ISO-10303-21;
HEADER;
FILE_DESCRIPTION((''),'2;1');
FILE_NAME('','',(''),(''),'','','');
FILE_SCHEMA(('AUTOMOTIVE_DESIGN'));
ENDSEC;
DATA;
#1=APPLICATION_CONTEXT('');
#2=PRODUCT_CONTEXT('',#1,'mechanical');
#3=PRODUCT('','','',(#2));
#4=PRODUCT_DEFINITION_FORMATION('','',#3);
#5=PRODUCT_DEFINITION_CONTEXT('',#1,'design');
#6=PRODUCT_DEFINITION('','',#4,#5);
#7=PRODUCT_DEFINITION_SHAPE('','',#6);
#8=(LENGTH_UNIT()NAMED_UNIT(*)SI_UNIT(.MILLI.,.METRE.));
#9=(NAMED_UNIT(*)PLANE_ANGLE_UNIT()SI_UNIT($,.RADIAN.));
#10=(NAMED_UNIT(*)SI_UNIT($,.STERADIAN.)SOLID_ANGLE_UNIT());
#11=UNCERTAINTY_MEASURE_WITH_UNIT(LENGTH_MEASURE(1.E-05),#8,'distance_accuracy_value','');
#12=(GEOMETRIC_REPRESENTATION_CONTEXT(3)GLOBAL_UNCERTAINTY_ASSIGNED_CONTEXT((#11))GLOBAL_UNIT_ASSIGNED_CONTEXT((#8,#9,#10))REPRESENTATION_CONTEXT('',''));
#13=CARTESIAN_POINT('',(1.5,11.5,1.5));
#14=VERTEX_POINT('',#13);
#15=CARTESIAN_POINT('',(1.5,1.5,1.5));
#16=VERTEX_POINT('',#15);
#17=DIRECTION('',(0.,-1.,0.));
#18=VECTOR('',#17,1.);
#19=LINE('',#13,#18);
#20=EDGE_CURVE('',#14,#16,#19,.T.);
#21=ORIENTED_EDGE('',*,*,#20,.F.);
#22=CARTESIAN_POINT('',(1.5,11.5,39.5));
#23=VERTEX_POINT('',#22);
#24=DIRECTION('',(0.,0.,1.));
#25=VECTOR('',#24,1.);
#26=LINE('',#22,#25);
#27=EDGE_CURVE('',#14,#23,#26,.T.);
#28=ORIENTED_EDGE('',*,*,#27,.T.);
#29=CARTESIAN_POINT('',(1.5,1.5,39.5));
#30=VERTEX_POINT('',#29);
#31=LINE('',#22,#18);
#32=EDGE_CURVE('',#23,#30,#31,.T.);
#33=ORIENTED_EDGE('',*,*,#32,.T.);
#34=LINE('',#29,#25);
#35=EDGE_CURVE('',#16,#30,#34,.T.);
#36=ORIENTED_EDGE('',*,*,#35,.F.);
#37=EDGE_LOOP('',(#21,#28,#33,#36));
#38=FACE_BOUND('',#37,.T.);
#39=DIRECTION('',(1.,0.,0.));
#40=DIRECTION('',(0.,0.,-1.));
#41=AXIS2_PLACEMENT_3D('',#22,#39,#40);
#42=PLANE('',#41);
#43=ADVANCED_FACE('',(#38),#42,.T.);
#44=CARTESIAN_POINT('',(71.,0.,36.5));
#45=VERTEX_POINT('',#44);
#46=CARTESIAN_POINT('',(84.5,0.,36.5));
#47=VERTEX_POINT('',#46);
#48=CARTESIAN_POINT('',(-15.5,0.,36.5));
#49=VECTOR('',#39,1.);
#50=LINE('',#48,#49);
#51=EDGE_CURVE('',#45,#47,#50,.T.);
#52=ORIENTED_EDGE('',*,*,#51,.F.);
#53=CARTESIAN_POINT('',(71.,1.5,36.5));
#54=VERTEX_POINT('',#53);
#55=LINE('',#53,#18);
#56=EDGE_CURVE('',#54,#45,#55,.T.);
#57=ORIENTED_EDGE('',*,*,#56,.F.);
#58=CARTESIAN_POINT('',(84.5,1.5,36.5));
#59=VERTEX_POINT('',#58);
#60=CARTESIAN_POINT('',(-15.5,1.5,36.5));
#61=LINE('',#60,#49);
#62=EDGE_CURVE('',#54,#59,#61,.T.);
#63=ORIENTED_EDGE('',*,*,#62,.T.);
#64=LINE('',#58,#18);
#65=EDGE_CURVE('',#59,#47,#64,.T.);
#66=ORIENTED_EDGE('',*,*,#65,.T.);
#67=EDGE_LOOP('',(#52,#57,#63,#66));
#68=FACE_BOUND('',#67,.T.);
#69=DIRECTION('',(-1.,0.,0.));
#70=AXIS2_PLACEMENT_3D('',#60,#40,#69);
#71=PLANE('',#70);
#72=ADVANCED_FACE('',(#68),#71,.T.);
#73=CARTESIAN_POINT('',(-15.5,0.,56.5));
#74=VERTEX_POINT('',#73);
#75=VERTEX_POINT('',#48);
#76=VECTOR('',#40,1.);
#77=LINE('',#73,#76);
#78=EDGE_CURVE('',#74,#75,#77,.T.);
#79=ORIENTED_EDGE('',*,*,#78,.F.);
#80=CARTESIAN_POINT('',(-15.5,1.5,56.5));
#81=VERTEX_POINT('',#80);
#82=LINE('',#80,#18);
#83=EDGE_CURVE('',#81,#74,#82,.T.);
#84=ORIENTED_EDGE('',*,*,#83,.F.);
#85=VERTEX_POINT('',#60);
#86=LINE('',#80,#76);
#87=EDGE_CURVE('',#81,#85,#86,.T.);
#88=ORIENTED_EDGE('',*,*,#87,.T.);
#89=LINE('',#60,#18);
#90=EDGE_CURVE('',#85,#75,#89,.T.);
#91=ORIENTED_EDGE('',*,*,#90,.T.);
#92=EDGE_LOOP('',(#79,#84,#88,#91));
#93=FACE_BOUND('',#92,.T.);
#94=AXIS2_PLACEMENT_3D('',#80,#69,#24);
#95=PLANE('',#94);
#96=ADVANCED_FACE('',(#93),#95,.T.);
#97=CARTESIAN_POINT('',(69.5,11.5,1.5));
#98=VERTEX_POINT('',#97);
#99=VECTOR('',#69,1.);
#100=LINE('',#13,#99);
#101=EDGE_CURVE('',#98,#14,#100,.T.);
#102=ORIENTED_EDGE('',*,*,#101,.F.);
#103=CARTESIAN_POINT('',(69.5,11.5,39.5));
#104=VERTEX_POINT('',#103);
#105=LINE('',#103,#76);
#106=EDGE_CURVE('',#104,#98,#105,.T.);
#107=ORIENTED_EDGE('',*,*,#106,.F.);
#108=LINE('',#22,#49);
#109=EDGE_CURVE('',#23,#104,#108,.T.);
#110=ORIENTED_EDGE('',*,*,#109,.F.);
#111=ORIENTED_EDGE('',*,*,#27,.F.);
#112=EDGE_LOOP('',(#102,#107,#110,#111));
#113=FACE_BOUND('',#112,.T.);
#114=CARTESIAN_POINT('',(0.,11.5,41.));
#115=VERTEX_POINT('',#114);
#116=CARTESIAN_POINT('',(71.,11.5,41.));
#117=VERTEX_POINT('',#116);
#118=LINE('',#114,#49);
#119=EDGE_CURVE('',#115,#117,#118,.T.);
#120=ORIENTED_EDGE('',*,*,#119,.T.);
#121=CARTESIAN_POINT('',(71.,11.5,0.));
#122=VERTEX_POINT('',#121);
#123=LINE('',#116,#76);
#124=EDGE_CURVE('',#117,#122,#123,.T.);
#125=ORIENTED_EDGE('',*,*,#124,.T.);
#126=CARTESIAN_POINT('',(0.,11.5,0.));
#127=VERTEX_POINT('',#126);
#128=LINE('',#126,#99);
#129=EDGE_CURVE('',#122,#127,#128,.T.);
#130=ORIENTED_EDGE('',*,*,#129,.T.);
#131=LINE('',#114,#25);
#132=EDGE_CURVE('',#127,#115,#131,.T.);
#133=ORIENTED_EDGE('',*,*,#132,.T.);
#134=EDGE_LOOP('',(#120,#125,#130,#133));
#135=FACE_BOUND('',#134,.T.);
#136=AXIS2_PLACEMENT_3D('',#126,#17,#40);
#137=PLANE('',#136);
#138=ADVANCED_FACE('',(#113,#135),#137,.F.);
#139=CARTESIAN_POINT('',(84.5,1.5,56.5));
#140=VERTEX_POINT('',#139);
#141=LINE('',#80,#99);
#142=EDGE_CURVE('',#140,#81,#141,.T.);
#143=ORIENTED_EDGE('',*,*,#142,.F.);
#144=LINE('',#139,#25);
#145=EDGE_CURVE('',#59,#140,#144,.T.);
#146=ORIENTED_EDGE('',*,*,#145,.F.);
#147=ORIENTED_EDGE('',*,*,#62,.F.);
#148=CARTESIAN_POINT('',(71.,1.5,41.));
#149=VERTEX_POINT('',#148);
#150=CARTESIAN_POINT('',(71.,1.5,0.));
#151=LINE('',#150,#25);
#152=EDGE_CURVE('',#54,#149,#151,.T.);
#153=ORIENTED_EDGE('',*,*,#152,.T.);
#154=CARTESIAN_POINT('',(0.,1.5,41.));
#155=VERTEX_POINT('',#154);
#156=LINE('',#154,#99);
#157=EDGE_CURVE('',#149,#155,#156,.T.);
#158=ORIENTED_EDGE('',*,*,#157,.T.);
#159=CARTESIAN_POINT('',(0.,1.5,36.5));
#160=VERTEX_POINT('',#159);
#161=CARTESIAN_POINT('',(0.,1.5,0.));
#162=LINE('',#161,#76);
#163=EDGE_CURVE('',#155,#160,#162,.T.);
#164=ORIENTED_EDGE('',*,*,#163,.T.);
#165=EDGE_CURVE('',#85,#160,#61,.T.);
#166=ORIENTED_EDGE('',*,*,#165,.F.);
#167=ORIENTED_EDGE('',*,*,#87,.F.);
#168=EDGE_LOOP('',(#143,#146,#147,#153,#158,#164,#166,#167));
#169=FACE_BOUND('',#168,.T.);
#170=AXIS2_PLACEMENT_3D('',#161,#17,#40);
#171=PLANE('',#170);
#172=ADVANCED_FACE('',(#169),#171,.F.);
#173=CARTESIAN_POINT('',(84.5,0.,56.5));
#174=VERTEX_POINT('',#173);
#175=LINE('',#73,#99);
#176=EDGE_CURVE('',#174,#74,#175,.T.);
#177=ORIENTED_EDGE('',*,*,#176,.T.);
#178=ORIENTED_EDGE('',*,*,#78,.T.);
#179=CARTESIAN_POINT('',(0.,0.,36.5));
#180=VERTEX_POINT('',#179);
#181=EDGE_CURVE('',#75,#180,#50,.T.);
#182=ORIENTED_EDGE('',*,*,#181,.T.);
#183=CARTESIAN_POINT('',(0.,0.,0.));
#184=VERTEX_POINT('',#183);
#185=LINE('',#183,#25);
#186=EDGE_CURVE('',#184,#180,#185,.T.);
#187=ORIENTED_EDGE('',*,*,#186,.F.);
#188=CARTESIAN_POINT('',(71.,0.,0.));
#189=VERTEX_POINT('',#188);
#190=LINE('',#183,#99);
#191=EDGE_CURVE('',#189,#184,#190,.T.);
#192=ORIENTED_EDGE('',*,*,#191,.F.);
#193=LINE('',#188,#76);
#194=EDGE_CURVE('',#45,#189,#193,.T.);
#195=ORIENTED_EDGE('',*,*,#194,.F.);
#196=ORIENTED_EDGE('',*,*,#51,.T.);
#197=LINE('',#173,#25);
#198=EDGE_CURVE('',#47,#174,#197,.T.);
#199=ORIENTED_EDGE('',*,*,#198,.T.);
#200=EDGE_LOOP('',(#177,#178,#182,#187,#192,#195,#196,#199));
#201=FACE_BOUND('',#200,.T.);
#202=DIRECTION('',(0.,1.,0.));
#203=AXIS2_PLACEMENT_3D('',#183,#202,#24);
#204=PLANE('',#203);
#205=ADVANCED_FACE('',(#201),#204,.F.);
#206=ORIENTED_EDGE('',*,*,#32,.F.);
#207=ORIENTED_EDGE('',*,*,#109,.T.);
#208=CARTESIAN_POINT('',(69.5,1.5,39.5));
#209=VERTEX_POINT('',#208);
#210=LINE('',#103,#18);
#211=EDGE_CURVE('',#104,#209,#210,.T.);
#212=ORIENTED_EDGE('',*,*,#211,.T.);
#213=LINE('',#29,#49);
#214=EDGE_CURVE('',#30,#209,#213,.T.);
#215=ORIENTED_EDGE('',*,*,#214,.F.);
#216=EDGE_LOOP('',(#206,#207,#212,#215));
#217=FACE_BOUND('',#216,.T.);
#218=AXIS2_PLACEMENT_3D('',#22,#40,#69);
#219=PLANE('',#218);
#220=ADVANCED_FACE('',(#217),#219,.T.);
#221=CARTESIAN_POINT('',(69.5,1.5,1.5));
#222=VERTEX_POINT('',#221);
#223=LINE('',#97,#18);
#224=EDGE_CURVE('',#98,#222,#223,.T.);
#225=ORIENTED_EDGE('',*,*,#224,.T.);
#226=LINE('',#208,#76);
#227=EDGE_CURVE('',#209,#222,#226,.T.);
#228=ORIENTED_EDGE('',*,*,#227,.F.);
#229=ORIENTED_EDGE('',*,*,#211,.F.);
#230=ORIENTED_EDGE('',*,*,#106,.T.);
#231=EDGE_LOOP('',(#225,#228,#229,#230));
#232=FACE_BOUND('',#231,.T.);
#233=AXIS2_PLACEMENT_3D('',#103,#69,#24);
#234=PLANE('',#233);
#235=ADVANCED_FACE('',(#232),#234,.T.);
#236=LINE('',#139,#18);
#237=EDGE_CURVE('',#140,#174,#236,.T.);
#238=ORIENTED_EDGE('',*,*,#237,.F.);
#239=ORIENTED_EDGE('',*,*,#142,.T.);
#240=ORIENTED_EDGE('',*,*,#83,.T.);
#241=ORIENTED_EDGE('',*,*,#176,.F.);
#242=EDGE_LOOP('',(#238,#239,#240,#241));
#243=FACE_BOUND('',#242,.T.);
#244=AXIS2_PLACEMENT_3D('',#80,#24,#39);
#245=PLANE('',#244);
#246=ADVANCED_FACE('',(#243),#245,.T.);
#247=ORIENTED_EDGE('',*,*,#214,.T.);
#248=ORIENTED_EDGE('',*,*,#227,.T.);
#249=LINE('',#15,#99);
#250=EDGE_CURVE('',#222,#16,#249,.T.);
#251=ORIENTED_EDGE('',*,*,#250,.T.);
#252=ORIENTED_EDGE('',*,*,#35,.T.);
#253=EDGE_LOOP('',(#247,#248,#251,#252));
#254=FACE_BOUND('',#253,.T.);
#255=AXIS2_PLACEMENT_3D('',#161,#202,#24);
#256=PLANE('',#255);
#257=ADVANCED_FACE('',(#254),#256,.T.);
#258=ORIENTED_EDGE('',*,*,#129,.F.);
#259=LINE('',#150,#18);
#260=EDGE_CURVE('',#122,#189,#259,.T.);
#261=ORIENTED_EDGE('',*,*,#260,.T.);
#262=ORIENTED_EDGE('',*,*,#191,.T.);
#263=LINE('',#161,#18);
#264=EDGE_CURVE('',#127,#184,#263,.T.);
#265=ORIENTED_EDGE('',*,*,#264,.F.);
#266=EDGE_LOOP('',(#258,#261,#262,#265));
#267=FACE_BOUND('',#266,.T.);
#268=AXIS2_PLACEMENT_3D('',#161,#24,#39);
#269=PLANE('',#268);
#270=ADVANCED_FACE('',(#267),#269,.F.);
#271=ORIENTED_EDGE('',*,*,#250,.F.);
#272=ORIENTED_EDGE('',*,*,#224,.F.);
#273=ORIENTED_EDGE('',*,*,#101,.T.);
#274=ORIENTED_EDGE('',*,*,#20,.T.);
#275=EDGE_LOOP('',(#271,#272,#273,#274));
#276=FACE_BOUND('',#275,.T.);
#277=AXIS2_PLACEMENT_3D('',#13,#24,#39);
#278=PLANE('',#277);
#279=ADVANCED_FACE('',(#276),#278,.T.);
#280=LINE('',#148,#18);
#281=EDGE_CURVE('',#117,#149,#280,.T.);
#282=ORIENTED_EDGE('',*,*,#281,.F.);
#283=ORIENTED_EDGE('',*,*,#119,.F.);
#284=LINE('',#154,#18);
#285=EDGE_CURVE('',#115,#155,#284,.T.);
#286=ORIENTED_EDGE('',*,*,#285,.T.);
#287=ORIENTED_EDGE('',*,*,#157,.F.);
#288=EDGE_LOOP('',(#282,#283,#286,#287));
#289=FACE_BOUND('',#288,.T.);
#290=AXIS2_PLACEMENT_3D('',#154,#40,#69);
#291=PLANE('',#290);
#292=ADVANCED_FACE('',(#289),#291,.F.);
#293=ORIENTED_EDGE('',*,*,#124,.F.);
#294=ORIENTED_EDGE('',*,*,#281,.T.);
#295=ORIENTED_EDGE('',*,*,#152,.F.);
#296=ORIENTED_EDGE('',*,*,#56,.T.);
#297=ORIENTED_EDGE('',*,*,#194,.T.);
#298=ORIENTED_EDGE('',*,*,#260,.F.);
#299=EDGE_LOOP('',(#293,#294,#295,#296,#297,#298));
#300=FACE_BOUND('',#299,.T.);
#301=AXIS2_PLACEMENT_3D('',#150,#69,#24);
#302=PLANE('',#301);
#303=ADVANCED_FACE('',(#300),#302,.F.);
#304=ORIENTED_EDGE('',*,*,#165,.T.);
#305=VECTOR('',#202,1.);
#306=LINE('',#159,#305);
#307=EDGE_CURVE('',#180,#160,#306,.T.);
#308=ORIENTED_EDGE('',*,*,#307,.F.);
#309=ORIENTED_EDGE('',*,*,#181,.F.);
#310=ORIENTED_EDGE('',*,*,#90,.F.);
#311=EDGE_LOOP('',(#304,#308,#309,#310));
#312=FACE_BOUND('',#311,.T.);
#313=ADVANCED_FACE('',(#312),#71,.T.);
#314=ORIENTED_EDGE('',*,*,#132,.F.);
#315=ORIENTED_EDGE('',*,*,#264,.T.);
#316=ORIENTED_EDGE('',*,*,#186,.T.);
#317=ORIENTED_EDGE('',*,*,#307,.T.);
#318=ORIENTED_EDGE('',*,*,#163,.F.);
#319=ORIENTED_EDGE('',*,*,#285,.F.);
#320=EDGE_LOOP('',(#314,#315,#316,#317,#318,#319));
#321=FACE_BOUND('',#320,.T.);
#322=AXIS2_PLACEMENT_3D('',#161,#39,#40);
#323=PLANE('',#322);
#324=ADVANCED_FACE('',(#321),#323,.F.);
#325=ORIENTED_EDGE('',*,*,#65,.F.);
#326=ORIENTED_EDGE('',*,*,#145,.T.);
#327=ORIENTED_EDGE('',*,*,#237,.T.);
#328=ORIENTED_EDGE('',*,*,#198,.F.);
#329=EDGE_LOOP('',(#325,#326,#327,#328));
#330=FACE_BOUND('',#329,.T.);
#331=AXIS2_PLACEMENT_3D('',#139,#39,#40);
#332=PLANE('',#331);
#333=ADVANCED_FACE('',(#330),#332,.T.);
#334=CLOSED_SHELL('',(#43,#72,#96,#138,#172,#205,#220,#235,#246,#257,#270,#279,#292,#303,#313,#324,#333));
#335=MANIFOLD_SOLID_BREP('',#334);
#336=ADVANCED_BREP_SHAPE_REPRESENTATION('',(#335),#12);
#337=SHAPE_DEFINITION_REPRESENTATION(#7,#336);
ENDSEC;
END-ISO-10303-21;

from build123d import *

# Parameters (mm, degrees)
SKETCH_1_W      = 71
SKETCH_1_H      = 41
EXTRUDE_1_DEPTH = 1.5
SKETCH_2_W      = 71
SKETCH_2_H      = 41
SKETCH_2_W_2    = 68
SKETCH_2_H_2    = 38
EXTRUDE_2_DEPTH = 10
SKETCH_3_W      = 100
SKETCH_3_H      = 20
EXTRUDE_3_DEPTH = 1.5


with BuildPart() as part:
    # 草图1 → 凸台-拉伸1 (new body)
    with BuildSketch(Plane(origin=(0, 0, 0), x_dir=(1, 0, 0), z_dir=(0, 1, 0))):
        with Locations((35.5, -20.5)):
            Rectangle(SKETCH_1_W, SKETCH_1_H)
    extrude(amount=EXTRUDE_1_DEPTH)

    # 草图2 → 凸台-拉伸2 (add)
    with BuildSketch(Plane(origin=(0, 1.5, 0), x_dir=(1, 0, 0), z_dir=(0, 1, 0))):
        with Locations((35.5, -20.5)):
            Rectangle(SKETCH_2_W, SKETCH_2_H)
        with Locations((35.5, -20.5)):
            Rectangle(SKETCH_2_W_2, SKETCH_2_H_2, mode=Mode.SUBTRACT)
    extrude(amount=EXTRUDE_2_DEPTH)

    # 草图3 → 凸台-拉伸3 (add)
    with BuildSketch(Plane(origin=(0, 0, 0), x_dir=(-1, 0, 0), z_dir=(0, -1, 0))):
        with Locations((-34.5, -46.5)):
            Rectangle(SKETCH_3_W, SKETCH_3_H)
    extrude(amount=-EXTRUDE_3_DEPTH)


solid = part.part
